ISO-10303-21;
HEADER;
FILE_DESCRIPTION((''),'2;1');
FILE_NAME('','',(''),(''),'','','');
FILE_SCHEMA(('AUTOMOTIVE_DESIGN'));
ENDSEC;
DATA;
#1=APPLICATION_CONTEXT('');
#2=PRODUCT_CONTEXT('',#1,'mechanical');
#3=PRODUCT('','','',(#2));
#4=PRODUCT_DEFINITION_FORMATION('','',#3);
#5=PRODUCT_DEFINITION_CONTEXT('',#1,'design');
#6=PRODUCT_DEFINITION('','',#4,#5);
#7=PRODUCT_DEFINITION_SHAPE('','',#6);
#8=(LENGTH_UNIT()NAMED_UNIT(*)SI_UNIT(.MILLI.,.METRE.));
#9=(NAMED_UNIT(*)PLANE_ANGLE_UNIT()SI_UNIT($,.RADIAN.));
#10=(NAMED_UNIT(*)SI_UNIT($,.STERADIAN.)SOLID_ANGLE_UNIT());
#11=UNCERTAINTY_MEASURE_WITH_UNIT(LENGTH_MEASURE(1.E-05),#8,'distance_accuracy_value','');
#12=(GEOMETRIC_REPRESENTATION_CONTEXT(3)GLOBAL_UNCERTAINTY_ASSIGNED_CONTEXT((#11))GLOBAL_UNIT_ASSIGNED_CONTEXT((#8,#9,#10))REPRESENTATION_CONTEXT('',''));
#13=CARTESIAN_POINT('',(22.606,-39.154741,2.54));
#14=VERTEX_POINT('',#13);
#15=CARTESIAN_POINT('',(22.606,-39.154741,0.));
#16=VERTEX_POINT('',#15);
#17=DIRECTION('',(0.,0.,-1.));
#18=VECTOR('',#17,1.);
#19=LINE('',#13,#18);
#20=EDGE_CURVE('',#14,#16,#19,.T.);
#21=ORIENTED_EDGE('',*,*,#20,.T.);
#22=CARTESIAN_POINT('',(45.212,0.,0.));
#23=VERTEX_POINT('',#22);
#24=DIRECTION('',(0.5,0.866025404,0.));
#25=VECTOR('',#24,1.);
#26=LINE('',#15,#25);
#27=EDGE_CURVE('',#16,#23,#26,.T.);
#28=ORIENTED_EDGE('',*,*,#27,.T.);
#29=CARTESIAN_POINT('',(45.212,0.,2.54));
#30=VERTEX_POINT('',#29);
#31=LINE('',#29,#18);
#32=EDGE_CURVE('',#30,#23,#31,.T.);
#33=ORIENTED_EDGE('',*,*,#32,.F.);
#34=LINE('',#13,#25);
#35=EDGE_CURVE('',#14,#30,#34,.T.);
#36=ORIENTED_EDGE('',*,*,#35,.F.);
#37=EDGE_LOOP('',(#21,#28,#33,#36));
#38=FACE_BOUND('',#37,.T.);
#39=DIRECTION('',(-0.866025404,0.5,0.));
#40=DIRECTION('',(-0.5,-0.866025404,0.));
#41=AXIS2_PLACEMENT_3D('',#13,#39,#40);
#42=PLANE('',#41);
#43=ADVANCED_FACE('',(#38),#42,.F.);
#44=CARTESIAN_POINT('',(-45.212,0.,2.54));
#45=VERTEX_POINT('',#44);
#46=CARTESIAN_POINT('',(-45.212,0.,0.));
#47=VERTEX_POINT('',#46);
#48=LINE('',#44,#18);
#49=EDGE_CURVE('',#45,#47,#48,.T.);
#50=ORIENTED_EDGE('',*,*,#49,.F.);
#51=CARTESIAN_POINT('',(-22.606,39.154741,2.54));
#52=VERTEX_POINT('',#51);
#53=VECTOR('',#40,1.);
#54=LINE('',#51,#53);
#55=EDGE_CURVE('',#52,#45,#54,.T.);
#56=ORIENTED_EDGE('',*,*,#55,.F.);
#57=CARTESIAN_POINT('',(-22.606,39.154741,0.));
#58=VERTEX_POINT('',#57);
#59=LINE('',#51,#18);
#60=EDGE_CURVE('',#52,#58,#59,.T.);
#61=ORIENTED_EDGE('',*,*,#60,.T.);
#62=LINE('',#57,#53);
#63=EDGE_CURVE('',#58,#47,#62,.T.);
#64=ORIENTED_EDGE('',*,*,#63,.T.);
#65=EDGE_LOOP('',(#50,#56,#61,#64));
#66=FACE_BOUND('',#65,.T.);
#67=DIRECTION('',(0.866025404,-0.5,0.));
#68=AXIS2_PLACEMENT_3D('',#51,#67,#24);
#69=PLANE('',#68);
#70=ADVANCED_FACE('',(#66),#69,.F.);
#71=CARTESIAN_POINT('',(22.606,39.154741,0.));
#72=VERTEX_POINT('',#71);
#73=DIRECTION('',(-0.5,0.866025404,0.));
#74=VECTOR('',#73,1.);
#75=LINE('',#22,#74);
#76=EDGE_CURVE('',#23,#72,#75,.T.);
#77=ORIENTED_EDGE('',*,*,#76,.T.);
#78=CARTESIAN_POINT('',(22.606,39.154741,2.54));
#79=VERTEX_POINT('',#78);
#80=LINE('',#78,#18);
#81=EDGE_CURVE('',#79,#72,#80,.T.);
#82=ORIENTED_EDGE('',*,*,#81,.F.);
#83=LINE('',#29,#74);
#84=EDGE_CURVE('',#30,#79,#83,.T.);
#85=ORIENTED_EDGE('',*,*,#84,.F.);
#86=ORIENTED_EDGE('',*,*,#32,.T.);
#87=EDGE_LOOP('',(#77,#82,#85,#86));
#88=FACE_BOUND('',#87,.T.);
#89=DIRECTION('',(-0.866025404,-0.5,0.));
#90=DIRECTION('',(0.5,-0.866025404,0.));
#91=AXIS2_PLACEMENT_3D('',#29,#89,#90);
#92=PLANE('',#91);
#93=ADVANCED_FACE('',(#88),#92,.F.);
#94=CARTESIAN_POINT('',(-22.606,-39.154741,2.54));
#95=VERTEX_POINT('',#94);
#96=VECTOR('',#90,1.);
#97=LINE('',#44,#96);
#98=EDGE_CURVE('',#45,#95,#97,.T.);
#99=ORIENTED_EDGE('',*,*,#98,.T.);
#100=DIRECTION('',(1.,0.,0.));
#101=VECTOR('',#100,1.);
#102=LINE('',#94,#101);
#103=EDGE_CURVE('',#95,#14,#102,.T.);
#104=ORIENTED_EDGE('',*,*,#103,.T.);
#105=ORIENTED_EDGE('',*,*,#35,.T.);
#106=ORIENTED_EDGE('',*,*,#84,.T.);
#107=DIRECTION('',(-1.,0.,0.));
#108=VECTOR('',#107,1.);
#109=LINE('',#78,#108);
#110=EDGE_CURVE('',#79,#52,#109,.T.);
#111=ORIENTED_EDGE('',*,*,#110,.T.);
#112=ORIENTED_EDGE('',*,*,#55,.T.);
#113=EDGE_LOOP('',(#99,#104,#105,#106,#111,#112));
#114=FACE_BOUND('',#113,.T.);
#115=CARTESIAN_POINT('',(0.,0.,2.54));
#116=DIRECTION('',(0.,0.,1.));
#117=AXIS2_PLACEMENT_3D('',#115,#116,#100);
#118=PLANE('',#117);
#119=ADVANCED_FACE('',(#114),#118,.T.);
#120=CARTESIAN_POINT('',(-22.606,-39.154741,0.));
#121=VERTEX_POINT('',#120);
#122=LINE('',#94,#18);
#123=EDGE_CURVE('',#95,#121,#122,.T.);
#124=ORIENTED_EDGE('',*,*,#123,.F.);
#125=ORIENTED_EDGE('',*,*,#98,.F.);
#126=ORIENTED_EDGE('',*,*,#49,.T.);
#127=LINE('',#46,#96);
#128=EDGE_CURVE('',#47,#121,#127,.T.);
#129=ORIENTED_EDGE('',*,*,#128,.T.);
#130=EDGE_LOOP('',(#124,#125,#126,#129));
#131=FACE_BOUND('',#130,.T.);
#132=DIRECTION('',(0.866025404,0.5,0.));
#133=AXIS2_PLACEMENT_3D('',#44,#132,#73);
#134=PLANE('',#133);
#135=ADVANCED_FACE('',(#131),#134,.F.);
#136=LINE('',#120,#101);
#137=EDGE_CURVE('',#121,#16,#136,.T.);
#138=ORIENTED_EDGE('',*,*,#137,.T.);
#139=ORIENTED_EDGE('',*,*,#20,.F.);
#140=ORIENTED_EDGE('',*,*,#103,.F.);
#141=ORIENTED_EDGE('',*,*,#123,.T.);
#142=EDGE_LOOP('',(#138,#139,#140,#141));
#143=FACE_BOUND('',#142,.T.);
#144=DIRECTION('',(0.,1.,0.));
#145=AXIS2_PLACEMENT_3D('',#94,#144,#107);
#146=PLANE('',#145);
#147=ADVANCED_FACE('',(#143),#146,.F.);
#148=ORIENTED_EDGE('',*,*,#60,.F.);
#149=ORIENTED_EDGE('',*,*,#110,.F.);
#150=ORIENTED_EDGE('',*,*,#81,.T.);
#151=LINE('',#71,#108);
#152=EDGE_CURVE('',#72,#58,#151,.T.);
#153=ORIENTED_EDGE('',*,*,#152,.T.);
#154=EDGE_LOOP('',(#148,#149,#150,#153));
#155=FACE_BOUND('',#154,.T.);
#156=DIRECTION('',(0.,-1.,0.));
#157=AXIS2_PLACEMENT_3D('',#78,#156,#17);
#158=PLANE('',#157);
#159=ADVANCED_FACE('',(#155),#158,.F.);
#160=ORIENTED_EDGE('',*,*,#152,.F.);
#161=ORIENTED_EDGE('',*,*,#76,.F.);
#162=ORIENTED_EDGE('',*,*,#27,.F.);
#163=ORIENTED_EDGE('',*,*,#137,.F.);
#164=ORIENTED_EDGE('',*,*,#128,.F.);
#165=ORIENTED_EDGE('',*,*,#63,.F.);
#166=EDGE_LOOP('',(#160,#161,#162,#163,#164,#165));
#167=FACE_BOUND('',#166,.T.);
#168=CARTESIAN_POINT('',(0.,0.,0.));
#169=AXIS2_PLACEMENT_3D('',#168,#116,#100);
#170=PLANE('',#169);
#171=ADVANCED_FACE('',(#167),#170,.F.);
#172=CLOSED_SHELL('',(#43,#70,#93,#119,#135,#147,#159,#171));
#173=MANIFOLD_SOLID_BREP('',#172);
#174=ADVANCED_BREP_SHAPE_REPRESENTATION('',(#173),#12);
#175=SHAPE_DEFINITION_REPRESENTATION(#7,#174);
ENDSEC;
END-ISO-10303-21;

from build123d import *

# Parameters (mm, degrees)
BOSS_EXTRUDE1_DEPTH = 2.54


with BuildPart() as part:
    # Sketch1 → Boss-Extrude1 (new body)
    with BuildSketch(Plane.XY):
        Polygon((45.212, 0), (22.606, 39.154740556), (-22.606, 39.154740556), (-45.212, 0), (-22.606, -39.154740556), (22.606, -39.154740556), align=None)
    extrude(amount=BOSS_EXTRUDE1_DEPTH)


solid = part.part
